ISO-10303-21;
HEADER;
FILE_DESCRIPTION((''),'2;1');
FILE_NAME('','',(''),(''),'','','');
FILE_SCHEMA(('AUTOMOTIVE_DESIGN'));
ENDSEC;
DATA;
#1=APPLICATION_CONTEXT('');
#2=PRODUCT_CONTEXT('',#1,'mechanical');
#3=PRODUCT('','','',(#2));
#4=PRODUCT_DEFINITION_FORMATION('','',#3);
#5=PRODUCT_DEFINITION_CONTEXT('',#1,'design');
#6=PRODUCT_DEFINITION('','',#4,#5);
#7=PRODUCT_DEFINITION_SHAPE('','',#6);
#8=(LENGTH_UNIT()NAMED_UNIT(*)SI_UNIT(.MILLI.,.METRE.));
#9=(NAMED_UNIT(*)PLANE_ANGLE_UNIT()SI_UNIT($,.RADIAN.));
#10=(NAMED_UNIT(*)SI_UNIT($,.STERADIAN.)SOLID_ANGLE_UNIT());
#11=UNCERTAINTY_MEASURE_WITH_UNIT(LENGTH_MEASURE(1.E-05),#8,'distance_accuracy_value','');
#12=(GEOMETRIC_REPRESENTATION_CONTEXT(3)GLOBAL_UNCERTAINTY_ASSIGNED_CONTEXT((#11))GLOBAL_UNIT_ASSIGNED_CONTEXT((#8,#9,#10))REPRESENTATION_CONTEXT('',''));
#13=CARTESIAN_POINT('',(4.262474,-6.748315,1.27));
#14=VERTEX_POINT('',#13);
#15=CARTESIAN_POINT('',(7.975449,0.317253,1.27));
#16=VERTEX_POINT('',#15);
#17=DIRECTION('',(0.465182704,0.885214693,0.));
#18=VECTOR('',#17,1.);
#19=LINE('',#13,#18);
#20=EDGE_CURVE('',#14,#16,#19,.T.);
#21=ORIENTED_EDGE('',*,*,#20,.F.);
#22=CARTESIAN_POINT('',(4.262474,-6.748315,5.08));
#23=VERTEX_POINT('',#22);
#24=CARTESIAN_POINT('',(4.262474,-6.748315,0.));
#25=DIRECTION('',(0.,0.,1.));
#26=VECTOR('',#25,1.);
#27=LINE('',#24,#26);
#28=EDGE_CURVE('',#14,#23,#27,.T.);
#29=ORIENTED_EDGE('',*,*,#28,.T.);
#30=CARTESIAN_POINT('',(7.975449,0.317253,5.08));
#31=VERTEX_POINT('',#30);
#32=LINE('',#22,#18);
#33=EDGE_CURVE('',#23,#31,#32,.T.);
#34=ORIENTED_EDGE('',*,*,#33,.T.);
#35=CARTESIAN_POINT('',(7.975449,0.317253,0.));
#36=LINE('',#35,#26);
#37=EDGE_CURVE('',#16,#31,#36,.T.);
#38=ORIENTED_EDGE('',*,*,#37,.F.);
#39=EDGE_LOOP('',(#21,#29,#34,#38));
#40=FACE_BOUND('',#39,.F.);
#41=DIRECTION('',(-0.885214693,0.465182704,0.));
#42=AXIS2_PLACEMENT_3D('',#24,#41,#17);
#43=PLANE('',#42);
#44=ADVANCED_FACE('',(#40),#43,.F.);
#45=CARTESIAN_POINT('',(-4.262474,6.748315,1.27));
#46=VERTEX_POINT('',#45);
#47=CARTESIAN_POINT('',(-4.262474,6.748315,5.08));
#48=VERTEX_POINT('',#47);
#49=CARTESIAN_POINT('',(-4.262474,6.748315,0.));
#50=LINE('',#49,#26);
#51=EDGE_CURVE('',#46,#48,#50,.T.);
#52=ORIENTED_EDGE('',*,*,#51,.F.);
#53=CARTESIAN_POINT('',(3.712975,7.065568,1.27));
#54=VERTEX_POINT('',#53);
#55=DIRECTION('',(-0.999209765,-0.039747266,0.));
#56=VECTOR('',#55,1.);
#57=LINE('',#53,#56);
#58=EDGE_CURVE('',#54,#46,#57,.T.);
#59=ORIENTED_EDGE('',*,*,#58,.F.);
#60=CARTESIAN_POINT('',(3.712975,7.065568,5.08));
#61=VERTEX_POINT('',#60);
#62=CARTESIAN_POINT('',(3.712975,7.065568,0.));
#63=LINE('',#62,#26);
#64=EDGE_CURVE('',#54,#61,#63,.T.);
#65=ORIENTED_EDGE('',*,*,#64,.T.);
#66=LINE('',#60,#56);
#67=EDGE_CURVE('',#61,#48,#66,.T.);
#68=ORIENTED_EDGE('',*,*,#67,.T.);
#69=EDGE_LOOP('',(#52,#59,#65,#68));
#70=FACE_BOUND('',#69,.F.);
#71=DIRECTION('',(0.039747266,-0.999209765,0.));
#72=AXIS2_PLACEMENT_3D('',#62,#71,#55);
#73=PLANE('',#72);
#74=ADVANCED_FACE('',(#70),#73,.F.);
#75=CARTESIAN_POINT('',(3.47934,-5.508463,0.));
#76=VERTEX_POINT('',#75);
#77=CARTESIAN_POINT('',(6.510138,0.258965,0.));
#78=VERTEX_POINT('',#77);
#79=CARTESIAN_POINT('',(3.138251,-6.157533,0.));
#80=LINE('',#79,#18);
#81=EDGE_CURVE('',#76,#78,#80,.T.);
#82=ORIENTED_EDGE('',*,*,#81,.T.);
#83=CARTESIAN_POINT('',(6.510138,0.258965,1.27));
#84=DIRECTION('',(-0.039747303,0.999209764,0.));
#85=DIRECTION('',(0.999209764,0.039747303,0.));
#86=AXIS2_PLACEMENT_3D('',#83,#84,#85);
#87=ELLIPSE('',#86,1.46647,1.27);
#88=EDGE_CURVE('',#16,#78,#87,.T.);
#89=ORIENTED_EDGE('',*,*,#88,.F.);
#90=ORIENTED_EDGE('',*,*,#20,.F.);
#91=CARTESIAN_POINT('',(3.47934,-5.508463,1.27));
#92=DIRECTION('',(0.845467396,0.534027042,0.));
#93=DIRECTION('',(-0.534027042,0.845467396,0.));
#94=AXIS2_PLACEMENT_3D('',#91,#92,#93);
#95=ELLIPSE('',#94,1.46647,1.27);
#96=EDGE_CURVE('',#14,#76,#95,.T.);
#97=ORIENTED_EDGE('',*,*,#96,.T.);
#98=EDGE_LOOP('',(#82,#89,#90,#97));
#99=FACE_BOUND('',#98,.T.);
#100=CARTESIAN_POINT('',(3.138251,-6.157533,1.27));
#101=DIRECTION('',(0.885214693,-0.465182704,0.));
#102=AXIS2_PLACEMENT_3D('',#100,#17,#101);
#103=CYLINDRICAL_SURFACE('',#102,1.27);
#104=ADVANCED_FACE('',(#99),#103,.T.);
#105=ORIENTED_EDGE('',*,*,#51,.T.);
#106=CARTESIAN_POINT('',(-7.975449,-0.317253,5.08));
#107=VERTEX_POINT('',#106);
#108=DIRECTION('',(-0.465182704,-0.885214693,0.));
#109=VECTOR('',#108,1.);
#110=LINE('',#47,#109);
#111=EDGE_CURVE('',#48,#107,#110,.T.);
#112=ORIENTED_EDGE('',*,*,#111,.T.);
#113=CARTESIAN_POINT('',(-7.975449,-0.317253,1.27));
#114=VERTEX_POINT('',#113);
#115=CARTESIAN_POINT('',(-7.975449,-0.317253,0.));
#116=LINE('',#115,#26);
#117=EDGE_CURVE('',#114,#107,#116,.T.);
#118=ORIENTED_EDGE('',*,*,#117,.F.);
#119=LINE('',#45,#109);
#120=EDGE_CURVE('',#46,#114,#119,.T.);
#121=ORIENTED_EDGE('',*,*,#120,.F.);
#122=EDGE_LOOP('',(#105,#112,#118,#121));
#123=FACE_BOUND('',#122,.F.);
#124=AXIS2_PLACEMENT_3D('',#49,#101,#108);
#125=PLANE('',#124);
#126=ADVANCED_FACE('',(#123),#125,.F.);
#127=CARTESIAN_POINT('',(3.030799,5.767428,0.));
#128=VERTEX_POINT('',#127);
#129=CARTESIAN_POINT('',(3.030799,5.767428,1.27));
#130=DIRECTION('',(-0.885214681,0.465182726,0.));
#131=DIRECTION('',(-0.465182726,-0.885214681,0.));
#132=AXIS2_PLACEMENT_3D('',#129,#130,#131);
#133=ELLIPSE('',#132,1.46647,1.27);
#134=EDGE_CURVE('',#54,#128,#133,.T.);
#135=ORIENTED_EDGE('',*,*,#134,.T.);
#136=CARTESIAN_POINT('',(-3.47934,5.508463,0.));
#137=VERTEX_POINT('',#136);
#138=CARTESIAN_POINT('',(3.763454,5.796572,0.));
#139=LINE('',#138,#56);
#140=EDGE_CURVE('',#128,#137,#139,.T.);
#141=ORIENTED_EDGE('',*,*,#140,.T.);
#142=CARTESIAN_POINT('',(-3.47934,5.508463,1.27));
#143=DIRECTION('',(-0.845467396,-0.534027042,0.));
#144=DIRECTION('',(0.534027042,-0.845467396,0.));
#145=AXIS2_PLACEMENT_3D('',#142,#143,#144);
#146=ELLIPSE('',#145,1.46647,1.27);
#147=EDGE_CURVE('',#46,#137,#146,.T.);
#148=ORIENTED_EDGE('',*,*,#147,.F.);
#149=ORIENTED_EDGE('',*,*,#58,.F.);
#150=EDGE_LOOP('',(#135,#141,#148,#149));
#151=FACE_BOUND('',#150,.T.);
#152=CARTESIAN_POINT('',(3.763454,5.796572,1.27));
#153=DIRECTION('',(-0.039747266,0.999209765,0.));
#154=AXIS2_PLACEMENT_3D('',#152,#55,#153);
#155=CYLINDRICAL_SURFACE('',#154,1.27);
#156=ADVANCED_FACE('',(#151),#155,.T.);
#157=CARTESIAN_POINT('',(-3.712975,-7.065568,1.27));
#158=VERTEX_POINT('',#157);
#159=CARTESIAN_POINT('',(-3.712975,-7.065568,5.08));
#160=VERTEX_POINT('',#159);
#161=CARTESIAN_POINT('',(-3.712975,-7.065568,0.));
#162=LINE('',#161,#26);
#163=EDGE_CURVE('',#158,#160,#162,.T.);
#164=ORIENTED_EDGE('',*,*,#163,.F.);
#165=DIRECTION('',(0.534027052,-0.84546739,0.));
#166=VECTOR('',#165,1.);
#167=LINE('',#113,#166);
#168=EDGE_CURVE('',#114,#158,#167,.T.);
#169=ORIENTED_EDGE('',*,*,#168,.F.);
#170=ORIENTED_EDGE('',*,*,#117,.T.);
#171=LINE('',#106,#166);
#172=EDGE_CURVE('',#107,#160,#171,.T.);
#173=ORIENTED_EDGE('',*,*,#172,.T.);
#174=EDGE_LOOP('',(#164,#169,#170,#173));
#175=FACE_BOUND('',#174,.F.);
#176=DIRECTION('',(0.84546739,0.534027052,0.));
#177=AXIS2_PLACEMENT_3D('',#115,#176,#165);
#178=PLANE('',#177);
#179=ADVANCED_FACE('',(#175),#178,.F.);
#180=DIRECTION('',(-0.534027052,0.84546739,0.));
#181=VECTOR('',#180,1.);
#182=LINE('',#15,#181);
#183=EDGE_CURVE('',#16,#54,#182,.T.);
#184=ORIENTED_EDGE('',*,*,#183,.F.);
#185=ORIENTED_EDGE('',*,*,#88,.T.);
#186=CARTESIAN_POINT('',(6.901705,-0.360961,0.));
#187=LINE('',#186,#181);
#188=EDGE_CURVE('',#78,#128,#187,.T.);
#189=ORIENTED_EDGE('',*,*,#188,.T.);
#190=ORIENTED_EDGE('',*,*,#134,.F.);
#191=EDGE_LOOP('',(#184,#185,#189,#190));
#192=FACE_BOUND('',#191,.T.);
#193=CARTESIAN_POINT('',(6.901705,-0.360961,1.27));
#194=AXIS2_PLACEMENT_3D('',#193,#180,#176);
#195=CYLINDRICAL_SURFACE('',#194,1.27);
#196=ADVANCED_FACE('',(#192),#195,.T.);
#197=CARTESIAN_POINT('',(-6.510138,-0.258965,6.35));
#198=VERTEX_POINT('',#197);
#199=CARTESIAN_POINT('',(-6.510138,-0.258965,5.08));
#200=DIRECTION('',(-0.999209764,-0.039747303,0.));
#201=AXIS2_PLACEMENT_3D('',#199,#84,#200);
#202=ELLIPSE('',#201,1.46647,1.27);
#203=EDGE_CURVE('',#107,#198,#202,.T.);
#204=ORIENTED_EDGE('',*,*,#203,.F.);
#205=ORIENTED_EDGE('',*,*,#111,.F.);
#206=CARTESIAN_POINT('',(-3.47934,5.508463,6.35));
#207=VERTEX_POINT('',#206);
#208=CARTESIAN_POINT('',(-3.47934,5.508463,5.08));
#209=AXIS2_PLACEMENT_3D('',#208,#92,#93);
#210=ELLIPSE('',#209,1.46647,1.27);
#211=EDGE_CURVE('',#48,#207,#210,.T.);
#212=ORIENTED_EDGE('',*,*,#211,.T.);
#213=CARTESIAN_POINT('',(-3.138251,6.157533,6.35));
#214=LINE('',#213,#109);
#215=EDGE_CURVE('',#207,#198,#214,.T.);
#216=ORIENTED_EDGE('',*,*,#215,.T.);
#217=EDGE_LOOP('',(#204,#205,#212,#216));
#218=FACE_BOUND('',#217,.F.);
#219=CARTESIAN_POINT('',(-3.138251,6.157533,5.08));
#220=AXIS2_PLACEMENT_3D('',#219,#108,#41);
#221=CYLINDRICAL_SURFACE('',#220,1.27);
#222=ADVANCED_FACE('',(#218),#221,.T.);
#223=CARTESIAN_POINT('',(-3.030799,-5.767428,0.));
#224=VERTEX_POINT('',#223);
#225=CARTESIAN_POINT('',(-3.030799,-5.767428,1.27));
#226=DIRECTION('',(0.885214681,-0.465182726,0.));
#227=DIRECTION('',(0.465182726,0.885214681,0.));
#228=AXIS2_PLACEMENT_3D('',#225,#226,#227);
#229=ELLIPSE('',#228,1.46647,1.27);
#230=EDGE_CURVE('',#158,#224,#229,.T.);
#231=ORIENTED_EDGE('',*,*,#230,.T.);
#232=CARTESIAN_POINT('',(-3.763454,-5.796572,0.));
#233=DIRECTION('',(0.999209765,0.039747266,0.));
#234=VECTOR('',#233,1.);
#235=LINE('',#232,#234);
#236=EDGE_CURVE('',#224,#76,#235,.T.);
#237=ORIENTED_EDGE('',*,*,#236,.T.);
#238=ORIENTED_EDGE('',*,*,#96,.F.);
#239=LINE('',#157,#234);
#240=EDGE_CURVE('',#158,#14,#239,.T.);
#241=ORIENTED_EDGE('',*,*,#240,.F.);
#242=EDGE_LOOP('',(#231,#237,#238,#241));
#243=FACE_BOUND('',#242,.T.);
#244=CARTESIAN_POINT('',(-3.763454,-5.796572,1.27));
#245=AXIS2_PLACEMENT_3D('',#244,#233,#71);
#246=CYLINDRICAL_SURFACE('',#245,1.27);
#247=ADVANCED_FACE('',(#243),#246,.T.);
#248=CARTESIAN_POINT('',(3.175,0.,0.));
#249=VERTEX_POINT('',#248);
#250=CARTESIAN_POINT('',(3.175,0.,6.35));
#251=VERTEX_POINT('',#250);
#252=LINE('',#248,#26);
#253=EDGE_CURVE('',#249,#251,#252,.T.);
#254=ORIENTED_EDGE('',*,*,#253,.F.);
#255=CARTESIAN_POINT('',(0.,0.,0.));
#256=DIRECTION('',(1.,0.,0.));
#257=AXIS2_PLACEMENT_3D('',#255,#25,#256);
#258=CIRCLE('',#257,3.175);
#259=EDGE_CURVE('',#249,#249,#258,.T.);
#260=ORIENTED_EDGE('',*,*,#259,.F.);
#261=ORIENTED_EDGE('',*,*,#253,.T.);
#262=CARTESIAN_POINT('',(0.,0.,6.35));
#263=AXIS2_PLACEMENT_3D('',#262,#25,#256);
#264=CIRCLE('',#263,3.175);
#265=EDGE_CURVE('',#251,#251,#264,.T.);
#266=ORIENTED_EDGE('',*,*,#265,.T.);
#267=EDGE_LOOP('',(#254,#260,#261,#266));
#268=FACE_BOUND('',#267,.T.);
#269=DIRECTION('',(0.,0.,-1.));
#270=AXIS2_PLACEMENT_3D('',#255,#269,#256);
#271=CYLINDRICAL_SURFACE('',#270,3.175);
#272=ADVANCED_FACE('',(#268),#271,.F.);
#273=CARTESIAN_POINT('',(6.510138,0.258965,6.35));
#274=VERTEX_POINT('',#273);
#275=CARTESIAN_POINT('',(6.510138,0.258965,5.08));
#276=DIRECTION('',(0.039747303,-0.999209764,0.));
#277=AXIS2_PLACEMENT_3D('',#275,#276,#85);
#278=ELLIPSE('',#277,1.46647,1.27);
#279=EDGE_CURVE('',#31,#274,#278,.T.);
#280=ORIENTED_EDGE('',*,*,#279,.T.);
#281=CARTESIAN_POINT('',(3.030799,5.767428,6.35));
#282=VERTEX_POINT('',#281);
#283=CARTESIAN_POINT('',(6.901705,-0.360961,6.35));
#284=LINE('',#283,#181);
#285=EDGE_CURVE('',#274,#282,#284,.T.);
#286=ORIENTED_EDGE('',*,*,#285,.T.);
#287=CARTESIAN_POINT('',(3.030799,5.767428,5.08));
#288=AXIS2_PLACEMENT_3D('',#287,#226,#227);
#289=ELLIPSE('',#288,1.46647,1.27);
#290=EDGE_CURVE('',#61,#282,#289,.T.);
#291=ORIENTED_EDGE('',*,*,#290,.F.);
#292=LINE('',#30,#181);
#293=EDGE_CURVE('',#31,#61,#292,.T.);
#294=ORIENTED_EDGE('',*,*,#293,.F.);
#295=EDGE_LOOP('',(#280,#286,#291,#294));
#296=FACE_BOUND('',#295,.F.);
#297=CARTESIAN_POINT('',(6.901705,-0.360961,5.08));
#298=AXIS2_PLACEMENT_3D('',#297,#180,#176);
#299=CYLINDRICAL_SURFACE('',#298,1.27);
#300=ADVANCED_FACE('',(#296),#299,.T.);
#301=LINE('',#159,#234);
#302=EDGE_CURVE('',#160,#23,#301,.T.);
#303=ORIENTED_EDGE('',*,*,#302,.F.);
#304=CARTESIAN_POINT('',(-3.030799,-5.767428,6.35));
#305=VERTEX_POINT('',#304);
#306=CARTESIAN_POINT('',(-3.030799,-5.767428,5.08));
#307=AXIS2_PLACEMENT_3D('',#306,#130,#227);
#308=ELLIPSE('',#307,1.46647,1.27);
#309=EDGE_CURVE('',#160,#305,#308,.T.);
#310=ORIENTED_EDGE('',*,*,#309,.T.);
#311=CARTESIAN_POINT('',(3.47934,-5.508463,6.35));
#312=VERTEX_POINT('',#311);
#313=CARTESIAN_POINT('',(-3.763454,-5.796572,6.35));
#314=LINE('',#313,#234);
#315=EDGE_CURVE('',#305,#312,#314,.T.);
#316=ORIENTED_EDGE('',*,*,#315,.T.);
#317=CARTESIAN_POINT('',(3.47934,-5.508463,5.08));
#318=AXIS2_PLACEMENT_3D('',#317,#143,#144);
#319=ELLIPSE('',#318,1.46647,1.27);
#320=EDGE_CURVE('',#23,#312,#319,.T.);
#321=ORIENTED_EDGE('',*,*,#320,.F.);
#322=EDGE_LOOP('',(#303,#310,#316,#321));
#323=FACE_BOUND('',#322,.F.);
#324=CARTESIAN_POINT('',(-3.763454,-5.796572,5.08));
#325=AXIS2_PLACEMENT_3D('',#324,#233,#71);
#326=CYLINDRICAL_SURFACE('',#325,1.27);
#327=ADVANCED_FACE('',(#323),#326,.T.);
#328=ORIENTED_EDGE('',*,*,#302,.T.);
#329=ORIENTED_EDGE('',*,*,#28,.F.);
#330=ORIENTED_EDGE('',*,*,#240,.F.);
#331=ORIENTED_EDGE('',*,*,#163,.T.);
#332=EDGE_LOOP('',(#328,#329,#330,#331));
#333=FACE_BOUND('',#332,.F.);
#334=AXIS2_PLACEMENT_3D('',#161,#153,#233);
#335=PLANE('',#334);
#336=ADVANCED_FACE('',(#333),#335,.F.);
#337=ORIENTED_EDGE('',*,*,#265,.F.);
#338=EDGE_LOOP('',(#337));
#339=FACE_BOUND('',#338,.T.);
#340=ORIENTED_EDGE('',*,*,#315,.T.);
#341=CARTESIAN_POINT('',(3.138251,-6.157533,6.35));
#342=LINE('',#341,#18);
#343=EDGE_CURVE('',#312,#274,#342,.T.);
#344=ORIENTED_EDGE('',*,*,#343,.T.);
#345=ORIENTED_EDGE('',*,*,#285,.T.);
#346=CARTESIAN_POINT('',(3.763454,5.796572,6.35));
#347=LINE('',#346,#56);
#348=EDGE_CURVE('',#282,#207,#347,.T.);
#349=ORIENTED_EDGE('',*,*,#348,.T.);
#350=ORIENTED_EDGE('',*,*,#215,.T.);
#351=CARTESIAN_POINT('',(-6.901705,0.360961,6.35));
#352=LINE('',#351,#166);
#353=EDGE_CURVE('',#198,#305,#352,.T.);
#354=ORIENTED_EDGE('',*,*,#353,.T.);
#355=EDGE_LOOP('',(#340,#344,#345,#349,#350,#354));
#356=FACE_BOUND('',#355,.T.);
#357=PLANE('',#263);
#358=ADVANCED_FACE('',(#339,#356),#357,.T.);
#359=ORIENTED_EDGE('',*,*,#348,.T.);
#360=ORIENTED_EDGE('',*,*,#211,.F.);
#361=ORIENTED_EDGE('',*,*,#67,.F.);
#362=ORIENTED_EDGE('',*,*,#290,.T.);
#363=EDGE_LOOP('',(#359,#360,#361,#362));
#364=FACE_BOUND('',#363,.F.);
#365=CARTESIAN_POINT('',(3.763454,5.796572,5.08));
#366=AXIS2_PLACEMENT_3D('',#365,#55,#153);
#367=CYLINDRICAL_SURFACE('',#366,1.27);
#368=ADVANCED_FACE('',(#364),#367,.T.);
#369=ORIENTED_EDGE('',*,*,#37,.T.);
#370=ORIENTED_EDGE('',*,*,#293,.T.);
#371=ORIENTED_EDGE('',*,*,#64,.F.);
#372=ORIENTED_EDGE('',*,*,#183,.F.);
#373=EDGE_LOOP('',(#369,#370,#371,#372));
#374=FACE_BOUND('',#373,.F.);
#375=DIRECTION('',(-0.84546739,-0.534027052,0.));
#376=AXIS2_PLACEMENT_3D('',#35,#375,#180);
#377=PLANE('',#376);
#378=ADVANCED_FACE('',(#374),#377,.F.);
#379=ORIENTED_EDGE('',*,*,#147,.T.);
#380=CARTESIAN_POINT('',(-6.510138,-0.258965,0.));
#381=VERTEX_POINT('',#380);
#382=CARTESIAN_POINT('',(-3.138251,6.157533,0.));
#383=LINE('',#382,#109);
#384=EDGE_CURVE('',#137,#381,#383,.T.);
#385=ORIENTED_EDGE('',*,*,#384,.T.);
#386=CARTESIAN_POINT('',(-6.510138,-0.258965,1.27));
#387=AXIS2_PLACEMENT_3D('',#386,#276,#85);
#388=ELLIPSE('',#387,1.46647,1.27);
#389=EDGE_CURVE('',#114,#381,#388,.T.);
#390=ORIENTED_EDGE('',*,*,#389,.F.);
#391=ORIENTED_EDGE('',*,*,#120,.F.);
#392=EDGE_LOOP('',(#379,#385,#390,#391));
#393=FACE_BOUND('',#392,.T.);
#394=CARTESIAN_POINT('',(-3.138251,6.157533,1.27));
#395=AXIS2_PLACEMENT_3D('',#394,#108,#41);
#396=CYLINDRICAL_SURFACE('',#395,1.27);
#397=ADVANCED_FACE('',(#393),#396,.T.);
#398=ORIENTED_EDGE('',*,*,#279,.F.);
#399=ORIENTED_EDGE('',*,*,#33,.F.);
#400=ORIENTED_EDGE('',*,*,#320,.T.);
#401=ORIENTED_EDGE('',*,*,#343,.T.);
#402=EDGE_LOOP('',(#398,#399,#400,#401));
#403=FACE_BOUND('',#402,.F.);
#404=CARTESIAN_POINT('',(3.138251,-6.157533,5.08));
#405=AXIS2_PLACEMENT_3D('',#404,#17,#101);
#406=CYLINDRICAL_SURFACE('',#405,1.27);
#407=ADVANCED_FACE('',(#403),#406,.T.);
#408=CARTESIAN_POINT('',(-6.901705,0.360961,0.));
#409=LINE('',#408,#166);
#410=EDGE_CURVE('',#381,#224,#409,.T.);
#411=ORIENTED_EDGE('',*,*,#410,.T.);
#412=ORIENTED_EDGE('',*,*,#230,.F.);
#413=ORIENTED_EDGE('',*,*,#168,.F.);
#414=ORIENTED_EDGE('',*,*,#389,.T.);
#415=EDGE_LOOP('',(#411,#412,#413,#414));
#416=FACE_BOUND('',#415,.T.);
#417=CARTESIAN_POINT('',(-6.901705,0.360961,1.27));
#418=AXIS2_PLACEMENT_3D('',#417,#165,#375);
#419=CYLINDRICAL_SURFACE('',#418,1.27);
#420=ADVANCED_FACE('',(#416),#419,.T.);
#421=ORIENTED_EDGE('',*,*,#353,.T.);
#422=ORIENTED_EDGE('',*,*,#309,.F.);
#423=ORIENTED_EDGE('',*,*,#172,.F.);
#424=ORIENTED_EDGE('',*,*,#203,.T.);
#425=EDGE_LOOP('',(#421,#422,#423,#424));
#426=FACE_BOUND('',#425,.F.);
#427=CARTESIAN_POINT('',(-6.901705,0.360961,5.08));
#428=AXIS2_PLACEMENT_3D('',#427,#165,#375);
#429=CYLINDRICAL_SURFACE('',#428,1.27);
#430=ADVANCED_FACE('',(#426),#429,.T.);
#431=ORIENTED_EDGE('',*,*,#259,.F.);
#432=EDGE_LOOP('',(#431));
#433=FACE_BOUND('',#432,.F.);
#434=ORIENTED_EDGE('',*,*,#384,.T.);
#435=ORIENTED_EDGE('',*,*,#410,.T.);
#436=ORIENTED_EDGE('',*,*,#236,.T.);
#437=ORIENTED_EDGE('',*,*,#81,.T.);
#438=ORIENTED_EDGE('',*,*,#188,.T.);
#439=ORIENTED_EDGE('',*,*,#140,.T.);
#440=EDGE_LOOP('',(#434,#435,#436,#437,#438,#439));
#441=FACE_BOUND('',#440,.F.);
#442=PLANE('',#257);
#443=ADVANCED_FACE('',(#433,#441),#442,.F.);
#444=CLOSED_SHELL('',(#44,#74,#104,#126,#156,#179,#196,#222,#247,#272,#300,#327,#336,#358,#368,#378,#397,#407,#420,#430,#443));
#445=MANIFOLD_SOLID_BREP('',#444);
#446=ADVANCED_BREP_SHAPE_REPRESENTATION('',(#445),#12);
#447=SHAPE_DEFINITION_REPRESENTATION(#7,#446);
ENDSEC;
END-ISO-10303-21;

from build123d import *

# Parameters (mm, degrees)
F0_R     = 3.175
F1_DEPTH = 6.35
F2_R     = 1.27


with BuildPart() as f1:
    # F0 (on Top) → F1 (new body)
    with BuildSketch(Plane.XY):
        Polygon((4.262474, -6.748315), (7.975449, 0.317253), (3.712975, 7.065568), (-4.262474, 6.748315), (-7.975449, -0.317253), (-3.712975, -7.065568), align=None)
        Circle(F0_R, mode=Mode.SUBTRACT)
    extrude(amount=F1_DEPTH)

    # F2
    f2_edges = [f1.edges().sort_by_distance(p)[0] for p in [
        (0.274749, -6.906941, 6.35),
        (6.118961, -3.215531, 6.35),
        (5.844212, 3.69141, 6.35),
        (-0.274749, 6.906941, 6.35),
        (-6.118961, 3.215531, 6.35),
        (-5.844212, -3.69141, 6.35),
        (6.118961, -3.215531, 0),
        (0.274749, -6.906941, 0),
        (-5.844212, -3.69141, 0),
        (-6.118961, 3.215531, 0),
        (-0.274749, 6.906941, 0),
        (5.844212, 3.69141, 0),
    ]]
    fillet(f2_edges, radius=F2_R)


solid = f1.part
